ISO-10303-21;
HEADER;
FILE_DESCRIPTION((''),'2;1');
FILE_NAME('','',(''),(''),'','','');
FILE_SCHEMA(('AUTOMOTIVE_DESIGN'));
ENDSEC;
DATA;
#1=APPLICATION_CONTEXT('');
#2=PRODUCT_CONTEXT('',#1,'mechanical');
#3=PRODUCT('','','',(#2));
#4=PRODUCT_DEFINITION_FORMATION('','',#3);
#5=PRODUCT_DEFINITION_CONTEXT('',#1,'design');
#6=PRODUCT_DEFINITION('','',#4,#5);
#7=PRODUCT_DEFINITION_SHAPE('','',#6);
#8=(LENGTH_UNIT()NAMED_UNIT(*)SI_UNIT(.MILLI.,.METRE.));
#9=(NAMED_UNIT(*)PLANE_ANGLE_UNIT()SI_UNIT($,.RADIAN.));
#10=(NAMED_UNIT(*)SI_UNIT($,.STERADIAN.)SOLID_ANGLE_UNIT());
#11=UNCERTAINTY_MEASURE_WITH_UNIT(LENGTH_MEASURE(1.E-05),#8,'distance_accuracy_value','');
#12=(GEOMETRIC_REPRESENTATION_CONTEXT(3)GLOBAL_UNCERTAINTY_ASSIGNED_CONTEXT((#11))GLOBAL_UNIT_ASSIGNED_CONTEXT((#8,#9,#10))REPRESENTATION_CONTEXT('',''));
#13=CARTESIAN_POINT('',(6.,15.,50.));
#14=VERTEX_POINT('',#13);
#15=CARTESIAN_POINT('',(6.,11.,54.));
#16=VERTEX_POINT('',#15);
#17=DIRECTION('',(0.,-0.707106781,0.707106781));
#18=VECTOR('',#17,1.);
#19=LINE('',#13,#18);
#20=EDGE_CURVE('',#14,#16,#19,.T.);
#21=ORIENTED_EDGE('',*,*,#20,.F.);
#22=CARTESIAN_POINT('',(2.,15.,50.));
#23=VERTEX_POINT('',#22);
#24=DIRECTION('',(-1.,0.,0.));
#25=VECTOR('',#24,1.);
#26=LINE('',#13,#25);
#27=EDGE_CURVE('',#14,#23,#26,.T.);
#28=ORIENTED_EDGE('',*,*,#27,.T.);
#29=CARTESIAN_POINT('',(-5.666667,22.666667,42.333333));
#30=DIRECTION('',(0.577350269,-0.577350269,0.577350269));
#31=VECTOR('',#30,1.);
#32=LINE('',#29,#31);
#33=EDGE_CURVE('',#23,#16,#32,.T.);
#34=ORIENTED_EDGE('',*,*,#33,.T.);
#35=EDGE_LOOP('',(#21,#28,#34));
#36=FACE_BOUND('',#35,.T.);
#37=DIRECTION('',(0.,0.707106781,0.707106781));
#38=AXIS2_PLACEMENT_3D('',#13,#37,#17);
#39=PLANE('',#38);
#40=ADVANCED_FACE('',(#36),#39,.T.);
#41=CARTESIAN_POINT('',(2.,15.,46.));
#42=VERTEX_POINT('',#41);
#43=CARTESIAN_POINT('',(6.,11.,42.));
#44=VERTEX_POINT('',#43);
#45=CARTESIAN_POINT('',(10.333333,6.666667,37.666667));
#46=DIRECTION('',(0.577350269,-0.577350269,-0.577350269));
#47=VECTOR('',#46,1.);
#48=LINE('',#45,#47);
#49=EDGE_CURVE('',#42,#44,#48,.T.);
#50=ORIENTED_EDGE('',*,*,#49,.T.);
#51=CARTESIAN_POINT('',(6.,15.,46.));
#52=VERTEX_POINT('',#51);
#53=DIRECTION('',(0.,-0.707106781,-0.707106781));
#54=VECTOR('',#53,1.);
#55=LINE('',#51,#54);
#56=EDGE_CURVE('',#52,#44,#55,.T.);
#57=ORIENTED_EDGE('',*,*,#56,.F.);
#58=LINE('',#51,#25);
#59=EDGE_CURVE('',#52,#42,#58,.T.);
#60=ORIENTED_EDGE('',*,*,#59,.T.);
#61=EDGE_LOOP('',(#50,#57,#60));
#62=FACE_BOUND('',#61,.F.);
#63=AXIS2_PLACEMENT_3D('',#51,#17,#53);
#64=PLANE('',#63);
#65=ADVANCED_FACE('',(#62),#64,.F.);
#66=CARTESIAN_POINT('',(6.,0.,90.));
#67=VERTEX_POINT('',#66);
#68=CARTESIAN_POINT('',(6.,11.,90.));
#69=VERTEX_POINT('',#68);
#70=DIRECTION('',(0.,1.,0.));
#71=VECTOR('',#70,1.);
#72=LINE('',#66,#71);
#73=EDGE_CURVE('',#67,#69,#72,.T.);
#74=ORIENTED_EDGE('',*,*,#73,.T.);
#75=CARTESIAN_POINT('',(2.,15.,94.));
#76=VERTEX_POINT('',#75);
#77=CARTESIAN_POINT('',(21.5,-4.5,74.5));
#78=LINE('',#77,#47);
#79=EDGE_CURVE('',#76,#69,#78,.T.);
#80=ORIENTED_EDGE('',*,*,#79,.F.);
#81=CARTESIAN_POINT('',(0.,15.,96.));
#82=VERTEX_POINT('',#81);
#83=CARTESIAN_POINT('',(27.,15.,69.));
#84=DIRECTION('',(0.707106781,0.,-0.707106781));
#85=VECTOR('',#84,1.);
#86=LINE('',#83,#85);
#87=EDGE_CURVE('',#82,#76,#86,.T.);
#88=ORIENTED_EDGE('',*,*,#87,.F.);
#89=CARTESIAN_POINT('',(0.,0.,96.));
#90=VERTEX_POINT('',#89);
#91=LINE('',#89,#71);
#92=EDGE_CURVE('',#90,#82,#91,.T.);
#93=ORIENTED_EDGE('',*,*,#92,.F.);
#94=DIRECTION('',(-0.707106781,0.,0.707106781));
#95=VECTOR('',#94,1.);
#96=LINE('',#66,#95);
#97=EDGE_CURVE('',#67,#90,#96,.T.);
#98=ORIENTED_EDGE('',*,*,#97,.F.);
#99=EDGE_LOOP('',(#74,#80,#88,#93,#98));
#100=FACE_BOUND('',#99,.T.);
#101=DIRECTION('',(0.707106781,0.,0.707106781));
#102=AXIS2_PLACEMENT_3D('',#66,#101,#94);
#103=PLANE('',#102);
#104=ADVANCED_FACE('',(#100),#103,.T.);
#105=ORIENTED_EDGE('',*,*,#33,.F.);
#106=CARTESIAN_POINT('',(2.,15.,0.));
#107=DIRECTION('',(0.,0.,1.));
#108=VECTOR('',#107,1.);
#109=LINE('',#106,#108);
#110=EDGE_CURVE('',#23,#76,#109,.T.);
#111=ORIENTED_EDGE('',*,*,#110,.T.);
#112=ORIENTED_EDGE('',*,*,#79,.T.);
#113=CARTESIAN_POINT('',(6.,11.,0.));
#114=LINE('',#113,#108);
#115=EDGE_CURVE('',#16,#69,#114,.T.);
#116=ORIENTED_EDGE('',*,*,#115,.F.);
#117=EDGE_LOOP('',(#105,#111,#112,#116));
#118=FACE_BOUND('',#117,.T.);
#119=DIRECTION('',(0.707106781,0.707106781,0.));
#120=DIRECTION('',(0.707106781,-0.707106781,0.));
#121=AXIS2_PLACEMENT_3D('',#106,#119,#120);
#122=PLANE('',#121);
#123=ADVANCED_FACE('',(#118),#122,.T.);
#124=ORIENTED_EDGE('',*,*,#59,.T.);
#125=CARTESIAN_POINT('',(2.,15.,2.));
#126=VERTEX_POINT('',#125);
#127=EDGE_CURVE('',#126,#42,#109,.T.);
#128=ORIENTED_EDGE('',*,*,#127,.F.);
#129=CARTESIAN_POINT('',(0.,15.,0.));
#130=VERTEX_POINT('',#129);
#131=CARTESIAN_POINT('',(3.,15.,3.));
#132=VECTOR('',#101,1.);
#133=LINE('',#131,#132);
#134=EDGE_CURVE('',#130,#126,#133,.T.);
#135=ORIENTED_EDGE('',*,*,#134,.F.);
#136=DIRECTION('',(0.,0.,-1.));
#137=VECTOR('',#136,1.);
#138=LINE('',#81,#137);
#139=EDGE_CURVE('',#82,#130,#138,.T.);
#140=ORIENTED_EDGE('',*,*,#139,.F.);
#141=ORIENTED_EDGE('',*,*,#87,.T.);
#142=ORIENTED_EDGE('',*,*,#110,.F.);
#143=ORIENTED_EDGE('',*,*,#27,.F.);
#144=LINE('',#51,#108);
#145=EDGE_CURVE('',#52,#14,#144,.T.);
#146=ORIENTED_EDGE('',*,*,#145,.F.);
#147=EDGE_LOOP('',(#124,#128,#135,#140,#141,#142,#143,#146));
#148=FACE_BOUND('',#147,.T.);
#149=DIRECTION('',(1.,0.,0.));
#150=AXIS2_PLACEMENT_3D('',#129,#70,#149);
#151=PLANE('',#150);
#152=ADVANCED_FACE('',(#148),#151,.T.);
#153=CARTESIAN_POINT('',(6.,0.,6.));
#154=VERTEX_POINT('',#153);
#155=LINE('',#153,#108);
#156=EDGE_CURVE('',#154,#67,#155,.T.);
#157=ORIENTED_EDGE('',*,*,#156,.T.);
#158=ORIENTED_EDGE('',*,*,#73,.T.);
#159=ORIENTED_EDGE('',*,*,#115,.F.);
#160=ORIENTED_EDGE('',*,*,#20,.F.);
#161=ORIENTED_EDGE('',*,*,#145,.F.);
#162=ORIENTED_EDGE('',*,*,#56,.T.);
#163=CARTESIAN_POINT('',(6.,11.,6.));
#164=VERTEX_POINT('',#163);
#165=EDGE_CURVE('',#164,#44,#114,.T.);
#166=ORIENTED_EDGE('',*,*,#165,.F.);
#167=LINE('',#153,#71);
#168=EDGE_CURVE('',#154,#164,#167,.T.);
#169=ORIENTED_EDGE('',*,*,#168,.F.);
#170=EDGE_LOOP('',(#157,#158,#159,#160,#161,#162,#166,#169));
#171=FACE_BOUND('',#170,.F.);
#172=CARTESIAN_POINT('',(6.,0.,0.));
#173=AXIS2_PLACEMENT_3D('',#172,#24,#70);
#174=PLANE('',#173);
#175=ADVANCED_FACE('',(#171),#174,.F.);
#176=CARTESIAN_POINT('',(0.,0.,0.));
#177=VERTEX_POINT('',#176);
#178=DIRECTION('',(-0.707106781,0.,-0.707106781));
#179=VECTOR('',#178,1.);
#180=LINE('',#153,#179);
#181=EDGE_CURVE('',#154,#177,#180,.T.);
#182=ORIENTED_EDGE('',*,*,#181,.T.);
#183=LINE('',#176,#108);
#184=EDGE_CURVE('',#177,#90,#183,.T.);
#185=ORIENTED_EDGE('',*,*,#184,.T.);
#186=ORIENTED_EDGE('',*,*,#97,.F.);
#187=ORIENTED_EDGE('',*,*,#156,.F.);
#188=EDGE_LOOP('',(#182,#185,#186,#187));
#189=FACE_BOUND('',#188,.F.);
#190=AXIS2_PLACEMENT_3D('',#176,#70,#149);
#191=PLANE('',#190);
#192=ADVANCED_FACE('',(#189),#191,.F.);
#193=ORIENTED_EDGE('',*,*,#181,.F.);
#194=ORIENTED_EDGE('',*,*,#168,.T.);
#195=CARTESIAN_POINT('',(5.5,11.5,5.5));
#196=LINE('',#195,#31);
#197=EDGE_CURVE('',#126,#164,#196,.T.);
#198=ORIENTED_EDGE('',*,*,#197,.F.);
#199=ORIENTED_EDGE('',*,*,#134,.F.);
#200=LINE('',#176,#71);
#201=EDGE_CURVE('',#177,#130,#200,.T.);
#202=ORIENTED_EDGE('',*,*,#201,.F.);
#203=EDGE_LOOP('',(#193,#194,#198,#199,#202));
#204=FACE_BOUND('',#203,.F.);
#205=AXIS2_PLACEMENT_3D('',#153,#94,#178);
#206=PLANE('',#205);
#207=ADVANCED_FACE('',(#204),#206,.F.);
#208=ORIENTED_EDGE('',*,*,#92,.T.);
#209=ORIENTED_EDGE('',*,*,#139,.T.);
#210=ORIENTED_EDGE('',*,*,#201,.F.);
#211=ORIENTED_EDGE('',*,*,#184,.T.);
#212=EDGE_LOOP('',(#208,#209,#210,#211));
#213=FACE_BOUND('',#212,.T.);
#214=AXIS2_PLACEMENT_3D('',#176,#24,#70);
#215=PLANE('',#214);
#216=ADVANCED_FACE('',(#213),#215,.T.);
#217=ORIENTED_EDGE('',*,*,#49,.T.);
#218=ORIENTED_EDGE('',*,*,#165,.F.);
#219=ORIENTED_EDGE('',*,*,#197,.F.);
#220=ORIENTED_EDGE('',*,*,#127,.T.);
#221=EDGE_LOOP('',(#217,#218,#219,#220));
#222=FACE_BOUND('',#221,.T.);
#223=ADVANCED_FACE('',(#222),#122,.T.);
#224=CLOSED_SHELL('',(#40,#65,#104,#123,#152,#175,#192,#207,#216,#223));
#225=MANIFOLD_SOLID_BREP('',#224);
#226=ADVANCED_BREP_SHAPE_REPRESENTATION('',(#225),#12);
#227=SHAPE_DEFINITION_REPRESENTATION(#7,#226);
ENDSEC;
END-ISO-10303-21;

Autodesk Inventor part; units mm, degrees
ref_plane "YZ Plane" through (0, 0, 0) normal (1, 0, 0) x (0, 1, 0)
ref_plane "XZ Plane" through (0, 0, 0) normal (0, 1, 0) x (-1, 0, 0)
ref_plane "XY Plane" through (0, 0, 0) normal (0, 0, 1) x (1, 0, 0)
sketch "Sketch1" plane through (0, 0, 0) normal (0, 0, 1) x (1, 0, 0)
  line L0 (0, 0) -> (6, 0)
  line L1 (6, 0) -> (6, 11)
  line L2 (0, 0) -> (0, 15)
  line L3 (0, 15) -> (2, 15)
  line L4 (2, 15) -> (6, 11)
  dimension "d0" = 6
  dimension "d1" = 11
  dimension "d2" = 15
  dimension "d3" = 2
extrude "Extrusion1" add sketch "Sketch1" along normal blind 96
sketch "Sketch2" plane through (0, 0, 0) normal (0, -1, 0) x (1, 0, 0)
  line L0 (0, 0) -> (0, 96) projected
  line L1 (5.9866, 0) -> (0, 0)
  line L2 (0, 96) -> (6, 96) projected
  line L3 (0, 96) -> (6, 96)
  line L4 (6, 96) -> (6, 90)
  line L5 (6, 90) -> (0, 96)
  line L6 (0, 0) -> (6, 0) projected
  line L7 (6, 0) -> (0, 0)
  line L8 (6, 0) -> (6, 6)
  line L9 (6, 0) -> (6, 96) projected
  line L10 (6, 6) -> (0, 0)
  dimension "d7" = 6
  dimension "d8" = 6
extrude "Extrusion2" cut sketch "Sketch2" against normal blind 42.1125 contours L10 L8 L6 L1 | L2 L4 L5
sketch "Sketch3" plane through (6, 0, 90) normal (1, 0, 0) x (0, 0, -1)
  line L0 (84, 11) -> (0, 11) projected
  line L1 (84, 0) -> (0, 0) projected
  line L2 (42, 11) -> (42, 0)
  line L3 (42, 0) -> (48, 0)
  line L4 (90, 0) -> (-6, 0) projected
  line L5 (48, 0) -> (48, 11)
  line L6 (42, 0) -> (36, 0)
  line L7 (36, 0) -> (36, 11)
  line L8 (42, 11) -> (42, 15)
  line L9 (88, 15) -> (-4, 15) projected
  line L10 (42, 15) -> (44, 15)
  line L11 (44, 15) -> (48, 11)
  line L12 (42, 15) -> (40, 15)
  line L13 (40, 15) -> (36, 11)
  point P0 (36, 0)
  dimension "d11" = 6
  dimension "d12" = 6
  dimension "d13" = 2
  dimension "d14" = 2
extrude "Extrusion3" add sketch "Sketch3" against normal blind 6
properties part number "edge-join-no-hole"
